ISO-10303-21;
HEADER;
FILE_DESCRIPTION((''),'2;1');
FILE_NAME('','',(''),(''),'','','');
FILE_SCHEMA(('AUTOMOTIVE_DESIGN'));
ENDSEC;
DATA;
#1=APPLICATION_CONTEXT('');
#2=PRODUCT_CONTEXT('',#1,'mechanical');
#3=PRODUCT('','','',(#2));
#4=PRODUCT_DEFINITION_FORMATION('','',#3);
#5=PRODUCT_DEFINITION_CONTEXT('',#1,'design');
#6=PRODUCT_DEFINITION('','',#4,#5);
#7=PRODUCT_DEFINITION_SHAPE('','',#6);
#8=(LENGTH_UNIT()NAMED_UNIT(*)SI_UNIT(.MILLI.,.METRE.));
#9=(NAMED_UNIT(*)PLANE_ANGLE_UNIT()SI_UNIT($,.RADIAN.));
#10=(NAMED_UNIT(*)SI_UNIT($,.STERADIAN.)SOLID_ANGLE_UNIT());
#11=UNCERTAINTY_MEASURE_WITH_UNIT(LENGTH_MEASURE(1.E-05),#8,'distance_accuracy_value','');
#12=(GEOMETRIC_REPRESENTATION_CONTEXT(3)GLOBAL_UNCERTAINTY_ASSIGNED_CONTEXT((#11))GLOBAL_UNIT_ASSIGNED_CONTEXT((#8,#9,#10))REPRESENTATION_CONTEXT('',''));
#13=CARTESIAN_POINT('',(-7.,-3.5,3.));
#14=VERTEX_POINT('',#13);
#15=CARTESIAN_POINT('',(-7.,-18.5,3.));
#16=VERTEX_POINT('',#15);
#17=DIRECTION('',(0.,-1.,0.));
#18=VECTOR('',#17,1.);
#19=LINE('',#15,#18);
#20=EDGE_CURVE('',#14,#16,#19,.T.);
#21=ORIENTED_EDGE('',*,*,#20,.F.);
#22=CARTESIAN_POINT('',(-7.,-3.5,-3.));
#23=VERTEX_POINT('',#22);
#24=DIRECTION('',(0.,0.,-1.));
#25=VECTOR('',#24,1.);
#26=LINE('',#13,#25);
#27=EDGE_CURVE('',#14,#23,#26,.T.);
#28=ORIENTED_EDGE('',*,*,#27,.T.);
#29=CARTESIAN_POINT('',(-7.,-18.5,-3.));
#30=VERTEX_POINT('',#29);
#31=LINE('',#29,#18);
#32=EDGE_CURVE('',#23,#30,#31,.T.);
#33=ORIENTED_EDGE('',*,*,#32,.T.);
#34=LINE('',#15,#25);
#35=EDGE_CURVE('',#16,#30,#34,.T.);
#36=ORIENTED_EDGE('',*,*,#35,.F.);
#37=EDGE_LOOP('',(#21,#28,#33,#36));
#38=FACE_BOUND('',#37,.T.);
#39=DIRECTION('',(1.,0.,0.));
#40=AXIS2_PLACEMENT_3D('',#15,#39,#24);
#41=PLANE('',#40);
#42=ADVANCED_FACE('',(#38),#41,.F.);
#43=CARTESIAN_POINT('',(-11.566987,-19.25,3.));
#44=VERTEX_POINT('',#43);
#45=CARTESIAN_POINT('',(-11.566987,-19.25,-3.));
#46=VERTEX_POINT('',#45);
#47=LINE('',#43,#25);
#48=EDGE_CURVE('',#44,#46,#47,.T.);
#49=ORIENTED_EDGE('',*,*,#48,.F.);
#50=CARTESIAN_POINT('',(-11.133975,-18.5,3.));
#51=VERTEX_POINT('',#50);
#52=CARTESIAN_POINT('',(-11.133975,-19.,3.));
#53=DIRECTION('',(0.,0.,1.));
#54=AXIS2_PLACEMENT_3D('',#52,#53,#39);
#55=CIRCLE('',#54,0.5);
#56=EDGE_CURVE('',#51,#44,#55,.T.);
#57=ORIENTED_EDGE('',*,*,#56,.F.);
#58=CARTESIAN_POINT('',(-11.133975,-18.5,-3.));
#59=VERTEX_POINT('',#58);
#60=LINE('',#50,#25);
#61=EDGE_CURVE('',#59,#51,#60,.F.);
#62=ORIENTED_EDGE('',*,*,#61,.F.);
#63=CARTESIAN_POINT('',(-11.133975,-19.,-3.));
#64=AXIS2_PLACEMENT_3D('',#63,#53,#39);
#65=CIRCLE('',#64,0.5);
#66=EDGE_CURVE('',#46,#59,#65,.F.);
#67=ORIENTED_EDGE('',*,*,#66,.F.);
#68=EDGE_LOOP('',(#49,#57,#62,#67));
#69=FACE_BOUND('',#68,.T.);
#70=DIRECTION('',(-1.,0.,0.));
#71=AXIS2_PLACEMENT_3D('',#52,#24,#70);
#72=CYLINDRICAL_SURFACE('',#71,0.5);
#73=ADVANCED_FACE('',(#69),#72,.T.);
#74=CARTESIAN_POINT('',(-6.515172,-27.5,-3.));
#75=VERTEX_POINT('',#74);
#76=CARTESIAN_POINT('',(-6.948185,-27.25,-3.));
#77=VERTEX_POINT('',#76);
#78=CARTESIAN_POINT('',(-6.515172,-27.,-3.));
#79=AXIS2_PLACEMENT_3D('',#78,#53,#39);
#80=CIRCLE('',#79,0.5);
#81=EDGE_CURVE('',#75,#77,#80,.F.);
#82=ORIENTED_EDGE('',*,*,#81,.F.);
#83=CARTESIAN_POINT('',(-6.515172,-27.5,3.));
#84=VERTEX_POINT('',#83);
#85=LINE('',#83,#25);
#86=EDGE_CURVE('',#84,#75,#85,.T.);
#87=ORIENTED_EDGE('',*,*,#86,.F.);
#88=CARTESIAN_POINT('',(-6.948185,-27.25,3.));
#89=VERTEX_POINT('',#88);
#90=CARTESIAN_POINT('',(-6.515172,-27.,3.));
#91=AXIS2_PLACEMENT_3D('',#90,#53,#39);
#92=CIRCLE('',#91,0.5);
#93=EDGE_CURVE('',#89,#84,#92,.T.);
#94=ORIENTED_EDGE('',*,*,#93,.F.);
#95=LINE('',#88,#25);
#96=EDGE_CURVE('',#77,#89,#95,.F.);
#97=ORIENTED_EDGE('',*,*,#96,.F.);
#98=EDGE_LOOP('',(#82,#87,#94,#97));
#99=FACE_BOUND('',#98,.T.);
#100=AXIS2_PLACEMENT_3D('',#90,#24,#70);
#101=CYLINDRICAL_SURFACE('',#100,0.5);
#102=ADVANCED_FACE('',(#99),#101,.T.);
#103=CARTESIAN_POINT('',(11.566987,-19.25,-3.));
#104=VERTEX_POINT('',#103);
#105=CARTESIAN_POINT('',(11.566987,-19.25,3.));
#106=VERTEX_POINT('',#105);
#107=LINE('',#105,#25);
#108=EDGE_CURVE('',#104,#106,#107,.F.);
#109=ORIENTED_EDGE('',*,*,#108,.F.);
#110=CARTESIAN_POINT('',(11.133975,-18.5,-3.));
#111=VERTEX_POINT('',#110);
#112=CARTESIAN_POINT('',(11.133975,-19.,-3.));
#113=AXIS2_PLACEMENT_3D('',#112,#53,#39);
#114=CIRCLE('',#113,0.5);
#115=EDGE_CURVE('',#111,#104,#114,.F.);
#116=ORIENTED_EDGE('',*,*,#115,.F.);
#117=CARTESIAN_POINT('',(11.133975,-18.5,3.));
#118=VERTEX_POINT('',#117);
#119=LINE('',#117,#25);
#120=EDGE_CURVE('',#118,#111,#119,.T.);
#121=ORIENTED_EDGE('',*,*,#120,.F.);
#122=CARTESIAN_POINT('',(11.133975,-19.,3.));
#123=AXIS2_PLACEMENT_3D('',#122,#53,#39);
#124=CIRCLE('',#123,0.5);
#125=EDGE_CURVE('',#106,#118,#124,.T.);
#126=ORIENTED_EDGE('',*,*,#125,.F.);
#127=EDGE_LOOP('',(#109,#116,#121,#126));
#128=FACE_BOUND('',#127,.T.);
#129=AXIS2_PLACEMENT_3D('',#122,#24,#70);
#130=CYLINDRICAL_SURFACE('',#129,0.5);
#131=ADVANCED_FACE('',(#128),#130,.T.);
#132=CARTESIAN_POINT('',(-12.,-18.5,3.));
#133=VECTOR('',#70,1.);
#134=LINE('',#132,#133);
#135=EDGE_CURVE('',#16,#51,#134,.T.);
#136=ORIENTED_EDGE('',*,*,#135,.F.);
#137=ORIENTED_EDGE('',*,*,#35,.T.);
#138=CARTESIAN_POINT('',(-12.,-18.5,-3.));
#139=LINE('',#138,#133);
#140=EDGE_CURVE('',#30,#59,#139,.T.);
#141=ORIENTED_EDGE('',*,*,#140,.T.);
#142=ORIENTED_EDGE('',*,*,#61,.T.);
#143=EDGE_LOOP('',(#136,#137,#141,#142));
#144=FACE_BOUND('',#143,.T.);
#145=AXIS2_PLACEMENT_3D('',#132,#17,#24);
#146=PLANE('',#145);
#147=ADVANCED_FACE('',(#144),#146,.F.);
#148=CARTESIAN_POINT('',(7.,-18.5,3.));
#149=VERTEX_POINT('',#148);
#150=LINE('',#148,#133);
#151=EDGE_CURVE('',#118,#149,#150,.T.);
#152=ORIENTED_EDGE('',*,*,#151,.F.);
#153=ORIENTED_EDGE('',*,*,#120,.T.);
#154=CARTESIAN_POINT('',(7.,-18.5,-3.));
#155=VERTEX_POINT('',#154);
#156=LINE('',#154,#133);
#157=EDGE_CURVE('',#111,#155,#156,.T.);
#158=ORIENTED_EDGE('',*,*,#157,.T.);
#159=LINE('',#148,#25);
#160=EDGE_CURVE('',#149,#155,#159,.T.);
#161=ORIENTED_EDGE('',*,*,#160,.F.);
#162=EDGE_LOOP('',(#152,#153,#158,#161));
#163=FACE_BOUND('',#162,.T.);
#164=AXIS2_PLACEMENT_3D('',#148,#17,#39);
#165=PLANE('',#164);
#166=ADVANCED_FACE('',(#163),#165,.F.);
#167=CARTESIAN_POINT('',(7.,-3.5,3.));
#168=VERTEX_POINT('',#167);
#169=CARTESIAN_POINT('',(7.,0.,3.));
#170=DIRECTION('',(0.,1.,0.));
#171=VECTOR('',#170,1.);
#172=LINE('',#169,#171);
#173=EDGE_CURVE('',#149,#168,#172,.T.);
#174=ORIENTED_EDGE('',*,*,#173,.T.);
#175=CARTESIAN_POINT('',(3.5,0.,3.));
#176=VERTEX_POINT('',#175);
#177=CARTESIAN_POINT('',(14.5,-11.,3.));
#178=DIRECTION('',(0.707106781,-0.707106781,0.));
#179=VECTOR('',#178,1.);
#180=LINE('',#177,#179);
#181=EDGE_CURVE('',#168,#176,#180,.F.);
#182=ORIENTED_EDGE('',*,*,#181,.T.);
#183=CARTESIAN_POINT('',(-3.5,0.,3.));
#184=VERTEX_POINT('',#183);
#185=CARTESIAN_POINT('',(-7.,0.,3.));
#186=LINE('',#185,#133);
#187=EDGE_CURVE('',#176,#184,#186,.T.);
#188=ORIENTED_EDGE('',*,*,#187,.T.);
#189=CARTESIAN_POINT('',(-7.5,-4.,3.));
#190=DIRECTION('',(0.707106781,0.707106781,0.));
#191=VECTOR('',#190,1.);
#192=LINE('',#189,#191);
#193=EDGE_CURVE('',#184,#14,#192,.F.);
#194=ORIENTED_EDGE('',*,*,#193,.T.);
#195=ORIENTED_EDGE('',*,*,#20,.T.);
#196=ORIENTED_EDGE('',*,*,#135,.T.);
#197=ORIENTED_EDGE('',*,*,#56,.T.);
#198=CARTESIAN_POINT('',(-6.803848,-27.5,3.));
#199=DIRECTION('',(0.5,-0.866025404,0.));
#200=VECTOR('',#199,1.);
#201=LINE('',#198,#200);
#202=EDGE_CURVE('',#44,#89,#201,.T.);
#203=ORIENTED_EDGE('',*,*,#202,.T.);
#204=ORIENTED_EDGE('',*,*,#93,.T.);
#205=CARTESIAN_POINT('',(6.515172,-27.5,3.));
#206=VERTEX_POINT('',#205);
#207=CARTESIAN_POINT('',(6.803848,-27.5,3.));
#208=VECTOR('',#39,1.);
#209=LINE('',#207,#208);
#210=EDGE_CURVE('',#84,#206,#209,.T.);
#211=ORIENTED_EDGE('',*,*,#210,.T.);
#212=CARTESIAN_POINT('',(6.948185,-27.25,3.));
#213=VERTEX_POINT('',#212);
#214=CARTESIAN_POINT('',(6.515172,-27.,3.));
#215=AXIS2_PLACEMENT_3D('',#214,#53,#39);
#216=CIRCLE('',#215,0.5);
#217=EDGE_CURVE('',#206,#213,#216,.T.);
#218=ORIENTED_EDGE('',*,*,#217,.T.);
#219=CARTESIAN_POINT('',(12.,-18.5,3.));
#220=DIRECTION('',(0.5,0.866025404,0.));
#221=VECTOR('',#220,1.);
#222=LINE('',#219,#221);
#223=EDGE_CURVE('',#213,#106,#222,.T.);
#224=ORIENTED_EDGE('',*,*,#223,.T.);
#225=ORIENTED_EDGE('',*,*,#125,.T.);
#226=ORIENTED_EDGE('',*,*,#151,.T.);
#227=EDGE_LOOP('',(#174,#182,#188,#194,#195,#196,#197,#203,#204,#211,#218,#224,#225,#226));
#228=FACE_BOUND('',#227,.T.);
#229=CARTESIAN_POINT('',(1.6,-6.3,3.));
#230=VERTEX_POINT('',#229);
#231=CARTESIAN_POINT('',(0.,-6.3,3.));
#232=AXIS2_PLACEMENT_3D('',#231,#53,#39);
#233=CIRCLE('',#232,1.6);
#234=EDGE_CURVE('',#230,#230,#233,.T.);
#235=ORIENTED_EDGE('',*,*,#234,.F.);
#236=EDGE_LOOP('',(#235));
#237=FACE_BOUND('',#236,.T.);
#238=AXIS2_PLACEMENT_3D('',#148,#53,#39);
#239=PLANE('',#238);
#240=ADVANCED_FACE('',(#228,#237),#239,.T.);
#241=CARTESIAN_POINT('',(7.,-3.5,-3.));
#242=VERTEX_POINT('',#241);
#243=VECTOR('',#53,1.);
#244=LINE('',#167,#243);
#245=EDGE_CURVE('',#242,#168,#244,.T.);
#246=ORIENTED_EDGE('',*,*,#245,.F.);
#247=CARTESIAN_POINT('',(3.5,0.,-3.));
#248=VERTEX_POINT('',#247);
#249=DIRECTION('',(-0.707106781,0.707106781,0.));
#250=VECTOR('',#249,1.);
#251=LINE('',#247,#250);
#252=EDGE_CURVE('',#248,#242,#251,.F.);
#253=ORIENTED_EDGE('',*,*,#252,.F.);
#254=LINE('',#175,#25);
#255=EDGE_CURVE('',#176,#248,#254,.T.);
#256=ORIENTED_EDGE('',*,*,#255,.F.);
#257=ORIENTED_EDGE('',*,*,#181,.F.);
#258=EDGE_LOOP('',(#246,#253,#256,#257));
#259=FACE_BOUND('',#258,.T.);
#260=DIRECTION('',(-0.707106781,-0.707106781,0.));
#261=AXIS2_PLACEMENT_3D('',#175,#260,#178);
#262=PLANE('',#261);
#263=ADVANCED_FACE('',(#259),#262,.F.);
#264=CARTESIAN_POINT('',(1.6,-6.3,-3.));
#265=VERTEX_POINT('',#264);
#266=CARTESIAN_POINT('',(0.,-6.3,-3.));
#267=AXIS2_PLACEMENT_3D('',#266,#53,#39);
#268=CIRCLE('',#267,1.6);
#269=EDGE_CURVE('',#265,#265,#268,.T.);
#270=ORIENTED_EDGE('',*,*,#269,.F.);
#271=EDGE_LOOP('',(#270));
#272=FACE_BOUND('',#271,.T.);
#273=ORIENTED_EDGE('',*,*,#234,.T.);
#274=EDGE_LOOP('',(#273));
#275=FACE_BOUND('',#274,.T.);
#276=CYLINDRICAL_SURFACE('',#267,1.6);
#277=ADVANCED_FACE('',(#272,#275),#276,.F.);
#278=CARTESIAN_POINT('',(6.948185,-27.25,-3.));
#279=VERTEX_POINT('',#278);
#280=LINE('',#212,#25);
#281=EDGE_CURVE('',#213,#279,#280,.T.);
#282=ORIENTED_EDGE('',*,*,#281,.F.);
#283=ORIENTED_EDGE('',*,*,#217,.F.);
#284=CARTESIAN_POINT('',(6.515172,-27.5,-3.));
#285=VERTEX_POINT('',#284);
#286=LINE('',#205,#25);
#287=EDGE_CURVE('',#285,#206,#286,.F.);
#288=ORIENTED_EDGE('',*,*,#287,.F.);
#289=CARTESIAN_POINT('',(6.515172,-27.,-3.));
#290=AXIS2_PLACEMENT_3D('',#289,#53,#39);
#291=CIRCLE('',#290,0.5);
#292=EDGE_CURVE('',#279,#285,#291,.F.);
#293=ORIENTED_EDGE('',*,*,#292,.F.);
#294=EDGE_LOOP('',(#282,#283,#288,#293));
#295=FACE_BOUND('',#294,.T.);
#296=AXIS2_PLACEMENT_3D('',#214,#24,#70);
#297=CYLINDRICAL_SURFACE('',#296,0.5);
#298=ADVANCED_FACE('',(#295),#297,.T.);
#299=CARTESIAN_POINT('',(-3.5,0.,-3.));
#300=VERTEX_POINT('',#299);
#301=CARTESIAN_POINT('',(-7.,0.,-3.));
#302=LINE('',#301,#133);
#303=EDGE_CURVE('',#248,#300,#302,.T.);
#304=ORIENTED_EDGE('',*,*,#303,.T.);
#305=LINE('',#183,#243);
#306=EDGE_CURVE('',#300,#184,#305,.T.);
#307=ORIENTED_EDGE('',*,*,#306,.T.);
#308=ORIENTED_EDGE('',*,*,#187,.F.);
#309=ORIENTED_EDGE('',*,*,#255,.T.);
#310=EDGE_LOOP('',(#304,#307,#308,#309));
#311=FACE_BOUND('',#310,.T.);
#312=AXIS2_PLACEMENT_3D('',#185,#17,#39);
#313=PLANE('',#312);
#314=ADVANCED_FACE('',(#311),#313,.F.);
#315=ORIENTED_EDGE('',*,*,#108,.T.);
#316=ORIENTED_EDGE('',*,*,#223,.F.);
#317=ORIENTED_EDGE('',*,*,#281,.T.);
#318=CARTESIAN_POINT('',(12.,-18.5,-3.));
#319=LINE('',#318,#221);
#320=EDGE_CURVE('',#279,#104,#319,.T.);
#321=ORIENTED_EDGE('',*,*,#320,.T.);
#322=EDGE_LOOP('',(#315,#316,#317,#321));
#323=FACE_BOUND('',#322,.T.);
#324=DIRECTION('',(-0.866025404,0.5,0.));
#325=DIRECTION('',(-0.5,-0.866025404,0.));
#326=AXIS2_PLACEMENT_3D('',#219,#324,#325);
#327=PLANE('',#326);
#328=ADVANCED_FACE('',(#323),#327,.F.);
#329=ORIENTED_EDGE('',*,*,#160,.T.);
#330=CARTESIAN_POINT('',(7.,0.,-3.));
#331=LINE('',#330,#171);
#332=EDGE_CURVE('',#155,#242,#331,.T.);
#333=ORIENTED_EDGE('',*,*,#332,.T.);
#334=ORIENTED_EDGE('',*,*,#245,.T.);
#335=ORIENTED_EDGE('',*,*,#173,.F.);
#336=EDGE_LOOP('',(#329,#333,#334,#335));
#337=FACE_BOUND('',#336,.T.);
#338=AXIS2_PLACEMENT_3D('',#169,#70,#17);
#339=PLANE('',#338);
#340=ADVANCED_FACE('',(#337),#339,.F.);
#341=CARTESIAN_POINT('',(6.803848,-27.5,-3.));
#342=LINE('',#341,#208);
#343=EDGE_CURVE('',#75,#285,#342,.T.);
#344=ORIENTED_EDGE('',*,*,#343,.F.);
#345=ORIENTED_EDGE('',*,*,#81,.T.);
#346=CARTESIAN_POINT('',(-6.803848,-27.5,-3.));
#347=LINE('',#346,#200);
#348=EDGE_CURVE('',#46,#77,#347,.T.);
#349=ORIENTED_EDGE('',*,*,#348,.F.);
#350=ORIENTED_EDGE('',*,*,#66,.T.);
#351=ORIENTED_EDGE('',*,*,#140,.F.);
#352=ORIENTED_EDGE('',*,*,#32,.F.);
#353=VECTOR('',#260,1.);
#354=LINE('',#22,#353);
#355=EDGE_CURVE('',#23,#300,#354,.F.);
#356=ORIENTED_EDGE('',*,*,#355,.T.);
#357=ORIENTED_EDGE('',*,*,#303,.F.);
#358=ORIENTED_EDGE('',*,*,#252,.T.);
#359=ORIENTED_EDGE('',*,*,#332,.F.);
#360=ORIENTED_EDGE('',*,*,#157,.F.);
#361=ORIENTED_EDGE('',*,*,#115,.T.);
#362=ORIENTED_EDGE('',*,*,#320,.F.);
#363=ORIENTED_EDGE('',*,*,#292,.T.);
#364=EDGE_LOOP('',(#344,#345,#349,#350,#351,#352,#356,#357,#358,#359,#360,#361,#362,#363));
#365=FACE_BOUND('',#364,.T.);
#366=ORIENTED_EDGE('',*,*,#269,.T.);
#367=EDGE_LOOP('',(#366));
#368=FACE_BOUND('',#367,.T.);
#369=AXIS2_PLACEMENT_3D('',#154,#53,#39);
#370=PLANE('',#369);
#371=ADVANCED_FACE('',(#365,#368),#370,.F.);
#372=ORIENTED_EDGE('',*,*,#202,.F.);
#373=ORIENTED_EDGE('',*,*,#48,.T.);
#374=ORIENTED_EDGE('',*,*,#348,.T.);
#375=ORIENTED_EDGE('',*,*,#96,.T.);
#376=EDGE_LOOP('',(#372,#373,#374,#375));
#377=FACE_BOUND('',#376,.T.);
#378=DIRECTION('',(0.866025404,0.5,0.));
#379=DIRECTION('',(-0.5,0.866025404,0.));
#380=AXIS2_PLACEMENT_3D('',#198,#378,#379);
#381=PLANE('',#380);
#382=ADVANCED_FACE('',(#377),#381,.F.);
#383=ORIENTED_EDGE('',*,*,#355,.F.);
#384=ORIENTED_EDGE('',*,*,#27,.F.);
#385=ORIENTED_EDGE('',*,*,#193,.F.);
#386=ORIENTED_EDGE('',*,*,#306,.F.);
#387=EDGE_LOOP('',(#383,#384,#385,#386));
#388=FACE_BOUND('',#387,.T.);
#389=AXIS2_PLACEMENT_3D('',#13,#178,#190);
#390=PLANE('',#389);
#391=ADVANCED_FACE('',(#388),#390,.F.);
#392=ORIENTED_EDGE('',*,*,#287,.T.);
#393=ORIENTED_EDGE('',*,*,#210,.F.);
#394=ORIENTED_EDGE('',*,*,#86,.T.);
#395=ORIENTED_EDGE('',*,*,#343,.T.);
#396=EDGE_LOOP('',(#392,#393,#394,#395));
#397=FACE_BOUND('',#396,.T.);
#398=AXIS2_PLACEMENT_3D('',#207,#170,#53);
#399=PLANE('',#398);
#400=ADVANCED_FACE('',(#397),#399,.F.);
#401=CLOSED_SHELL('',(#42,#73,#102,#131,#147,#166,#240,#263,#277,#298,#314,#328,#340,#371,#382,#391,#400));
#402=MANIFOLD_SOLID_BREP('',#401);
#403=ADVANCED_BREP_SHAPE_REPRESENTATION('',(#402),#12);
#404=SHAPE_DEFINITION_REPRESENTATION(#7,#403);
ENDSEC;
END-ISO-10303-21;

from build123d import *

# Parameters (mm, degrees)
BOSS_EXTRUDE1_DEPTH = 3
SKETCH2_R           = 1.6
CUT_EXTRUDE1_DEPTH  = 7
CHAMFER1_SIZE       = 3.5
FILLET1_R           = 0.5


with BuildPart() as part:
    # Sketch1 → Boss-Extrude1 (new body, symmetric)
    with BuildSketch(Plane.XY):
        Polygon((-7, 0), (7, 0), (7, -18.5), (12, -18.5), (6.803847577, -27.5), (-6.803847577, -27.5), (-12, -18.5), (-7, -18.5), align=None)
    extrude(amount=BOSS_EXTRUDE1_DEPTH, both=True)

    # Sketch2 → Cut-Extrude1 (cut, through all)
    with BuildSketch(Plane.XY.offset(3)):
        with Locations((0, -6.3)):
            Circle(SKETCH2_R)
    extrude(amount=-CUT_EXTRUDE1_DEPTH, mode=Mode.SUBTRACT)

    # Chamfer1
    chamfer1_edges = [part.edges().sort_by_distance(p)[0] for p in [
        (-7, 0, 0),
        (7, 0, 0),
    ]]
    chamfer(chamfer1_edges, length=CHAMFER1_SIZE)

    # Fillet1
    fillet1_edges = [part.edges().sort_by_distance(p)[0] for p in [
        (12, -18.5, 0),
        (6.803847577, -27.5, 0),
        (-6.803847577, -27.5, 0),
        (-12, -18.5, 0),
    ]]
    fillet(fillet1_edges, radius=FILLET1_R)


solid = part.part
